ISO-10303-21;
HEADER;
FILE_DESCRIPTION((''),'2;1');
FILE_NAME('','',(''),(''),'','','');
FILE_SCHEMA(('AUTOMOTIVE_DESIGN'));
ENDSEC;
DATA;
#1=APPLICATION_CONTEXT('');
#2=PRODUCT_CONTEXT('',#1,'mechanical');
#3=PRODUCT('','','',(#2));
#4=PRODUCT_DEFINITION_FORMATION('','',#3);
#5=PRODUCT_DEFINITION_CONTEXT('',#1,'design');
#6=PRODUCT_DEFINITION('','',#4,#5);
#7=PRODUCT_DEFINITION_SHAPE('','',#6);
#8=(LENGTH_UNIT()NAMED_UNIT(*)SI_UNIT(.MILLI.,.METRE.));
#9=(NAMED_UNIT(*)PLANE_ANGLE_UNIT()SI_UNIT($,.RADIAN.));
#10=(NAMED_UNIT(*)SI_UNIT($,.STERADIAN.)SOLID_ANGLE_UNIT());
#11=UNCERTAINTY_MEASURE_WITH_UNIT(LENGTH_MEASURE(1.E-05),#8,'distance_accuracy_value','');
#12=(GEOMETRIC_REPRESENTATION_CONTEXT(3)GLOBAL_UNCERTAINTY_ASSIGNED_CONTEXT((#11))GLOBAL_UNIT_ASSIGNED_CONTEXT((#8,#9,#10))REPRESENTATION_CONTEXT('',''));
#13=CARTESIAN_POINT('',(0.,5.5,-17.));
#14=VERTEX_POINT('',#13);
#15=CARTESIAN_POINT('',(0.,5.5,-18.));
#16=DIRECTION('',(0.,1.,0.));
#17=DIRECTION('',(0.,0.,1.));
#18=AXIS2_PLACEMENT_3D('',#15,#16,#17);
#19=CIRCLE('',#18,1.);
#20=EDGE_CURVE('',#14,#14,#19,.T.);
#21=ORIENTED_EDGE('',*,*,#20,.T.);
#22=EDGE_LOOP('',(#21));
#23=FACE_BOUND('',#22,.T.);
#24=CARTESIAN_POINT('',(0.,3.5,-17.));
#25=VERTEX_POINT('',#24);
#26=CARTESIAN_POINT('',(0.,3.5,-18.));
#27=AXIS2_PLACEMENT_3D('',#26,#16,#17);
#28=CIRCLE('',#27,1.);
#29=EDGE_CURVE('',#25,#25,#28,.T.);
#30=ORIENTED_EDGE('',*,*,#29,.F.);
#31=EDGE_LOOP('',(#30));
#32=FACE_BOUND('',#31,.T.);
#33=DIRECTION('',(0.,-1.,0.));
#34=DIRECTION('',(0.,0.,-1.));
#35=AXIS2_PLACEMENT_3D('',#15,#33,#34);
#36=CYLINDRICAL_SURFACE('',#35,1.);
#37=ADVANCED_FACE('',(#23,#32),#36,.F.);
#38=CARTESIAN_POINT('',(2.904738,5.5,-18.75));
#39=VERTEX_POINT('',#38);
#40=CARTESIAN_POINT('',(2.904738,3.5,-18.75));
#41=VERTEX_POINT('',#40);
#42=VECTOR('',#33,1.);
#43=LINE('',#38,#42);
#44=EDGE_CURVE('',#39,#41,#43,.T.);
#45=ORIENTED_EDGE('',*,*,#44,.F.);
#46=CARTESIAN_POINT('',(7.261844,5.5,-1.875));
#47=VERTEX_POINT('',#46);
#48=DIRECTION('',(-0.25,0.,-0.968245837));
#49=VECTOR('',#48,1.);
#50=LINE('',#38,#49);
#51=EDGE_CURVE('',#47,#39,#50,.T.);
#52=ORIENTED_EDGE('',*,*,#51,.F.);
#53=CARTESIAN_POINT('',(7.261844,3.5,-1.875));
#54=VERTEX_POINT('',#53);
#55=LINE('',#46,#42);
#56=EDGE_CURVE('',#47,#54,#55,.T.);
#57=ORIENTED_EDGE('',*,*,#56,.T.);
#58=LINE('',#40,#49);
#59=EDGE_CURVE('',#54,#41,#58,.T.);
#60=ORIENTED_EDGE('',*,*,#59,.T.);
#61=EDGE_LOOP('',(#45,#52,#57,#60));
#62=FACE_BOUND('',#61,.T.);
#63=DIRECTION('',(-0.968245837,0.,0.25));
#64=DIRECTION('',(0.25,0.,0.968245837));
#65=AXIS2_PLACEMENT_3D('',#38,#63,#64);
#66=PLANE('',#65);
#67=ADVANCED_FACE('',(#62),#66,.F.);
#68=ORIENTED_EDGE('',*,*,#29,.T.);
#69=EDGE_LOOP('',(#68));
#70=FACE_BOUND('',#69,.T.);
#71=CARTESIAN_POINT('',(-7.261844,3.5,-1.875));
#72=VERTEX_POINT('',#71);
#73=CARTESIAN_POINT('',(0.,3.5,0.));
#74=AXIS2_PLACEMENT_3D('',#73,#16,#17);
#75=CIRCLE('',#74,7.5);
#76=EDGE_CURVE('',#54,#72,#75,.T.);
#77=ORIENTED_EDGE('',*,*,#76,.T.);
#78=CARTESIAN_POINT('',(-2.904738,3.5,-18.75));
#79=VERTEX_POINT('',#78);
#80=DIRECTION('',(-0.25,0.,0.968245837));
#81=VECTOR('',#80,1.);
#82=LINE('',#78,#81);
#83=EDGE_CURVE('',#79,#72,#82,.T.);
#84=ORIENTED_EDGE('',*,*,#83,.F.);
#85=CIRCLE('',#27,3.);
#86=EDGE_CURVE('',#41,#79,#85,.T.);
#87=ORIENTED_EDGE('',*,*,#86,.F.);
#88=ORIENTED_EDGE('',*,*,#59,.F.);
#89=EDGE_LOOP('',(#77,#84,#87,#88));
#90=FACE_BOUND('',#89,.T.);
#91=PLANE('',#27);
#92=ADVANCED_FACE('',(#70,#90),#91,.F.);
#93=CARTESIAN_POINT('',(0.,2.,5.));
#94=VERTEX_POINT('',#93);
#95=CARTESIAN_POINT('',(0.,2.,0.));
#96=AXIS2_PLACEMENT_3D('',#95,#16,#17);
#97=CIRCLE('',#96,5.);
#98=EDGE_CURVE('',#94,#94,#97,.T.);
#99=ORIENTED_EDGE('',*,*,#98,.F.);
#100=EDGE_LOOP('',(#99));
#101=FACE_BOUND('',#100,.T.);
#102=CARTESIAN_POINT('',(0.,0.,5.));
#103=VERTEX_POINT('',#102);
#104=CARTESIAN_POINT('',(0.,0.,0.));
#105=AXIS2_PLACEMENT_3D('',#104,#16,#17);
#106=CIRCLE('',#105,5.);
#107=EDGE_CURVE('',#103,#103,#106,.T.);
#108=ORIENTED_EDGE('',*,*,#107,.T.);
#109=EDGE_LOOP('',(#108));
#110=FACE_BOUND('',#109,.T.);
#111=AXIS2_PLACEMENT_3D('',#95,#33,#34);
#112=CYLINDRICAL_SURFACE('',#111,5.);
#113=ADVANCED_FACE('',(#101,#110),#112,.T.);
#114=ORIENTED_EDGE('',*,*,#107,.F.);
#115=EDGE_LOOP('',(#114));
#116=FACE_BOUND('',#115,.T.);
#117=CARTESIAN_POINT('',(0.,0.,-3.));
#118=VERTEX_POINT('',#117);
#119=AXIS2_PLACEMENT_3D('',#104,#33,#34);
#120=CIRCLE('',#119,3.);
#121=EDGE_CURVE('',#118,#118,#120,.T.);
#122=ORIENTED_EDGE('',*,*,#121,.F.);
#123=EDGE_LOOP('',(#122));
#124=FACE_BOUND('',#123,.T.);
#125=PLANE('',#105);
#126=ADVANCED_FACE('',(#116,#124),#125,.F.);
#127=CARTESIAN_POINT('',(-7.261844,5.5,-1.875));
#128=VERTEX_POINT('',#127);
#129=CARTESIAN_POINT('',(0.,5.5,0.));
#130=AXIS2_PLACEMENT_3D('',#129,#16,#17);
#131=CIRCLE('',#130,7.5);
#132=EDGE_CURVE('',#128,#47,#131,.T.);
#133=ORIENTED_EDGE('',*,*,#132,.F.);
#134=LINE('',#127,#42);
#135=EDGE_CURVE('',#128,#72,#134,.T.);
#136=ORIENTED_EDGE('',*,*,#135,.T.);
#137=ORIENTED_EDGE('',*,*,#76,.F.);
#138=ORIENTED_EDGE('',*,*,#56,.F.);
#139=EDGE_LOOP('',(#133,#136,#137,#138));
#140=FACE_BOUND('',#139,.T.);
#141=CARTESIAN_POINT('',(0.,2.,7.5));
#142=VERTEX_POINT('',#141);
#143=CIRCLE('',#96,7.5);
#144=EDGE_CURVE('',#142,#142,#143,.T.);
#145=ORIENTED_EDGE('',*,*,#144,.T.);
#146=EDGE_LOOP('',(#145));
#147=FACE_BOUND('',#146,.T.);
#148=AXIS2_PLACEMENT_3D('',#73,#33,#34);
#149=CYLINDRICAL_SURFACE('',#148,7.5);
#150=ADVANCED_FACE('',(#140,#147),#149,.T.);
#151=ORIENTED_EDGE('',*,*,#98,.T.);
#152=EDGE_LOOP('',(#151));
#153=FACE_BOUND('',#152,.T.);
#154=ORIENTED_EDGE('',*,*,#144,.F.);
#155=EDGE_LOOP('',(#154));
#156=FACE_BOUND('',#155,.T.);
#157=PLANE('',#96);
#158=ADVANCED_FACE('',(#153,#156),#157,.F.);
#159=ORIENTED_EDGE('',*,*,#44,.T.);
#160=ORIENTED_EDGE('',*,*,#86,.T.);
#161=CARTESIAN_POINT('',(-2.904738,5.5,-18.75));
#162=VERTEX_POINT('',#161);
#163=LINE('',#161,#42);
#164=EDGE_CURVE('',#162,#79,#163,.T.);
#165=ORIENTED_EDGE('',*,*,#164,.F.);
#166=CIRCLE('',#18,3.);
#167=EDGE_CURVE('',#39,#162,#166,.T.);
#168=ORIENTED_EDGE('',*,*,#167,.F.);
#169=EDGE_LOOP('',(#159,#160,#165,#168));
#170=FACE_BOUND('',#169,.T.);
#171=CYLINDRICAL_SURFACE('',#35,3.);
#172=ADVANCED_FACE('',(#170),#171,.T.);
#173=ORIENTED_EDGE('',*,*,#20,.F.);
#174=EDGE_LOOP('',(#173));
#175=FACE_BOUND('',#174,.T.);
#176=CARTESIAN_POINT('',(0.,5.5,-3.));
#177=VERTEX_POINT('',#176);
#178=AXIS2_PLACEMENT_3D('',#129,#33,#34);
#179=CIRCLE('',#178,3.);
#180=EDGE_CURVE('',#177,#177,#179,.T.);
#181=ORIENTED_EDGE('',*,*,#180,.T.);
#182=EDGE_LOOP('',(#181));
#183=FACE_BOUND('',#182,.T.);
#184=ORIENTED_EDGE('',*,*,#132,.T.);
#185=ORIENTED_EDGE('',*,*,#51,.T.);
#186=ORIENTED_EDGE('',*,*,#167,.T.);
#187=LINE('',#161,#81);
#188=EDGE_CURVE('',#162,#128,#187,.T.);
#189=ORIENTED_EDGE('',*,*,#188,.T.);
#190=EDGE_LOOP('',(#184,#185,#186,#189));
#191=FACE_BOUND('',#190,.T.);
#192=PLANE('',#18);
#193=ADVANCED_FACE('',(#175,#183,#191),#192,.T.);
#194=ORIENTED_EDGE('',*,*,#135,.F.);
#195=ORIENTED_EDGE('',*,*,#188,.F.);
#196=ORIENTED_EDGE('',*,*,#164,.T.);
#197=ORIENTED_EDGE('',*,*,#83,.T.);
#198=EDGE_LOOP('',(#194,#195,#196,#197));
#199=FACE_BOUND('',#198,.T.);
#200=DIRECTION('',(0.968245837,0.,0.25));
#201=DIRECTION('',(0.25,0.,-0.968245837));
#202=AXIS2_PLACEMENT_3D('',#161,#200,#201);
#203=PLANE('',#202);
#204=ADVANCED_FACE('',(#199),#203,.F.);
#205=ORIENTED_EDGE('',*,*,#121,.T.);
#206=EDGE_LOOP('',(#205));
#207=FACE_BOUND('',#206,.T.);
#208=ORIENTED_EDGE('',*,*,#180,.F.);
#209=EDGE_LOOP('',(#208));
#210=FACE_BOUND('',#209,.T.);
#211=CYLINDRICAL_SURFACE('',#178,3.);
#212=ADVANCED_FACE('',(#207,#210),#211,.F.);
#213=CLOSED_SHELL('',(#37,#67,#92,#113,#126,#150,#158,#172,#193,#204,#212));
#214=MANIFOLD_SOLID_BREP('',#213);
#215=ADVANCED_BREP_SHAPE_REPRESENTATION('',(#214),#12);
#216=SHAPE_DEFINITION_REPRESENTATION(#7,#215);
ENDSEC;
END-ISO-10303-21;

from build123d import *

# Parameters (mm, degrees)
SKETCH_1_R          = 5
EXTRUDE_1_DEPTH     = 2
SKETCH_2_R          = 7.5
EXTRUDE_2_DEPTH     = 1.5
SKETCH_3_R          = 1
EXTRUDE_3_DEPTH     = 2
SKETCH_4_R          = 3
CUT_EXTRUDE_1_DEPTH = 23.967368156


with BuildPart() as part:
    # 草图1 → 凸台-拉伸1 (new body)
    with BuildSketch(Plane(origin=(0, 0, 0), x_dir=(1, 0, 0), z_dir=(0, 1, 0))):
        with Locations(Location((0, 0, 0), (0, 0, 270))):
            Circle(SKETCH_1_R)
    extrude(amount=EXTRUDE_1_DEPTH)

    # 草图2 → 凸台-拉伸2 (add)
    with BuildSketch(Plane(origin=(0, 2, 0), x_dir=(1, 0, 0), z_dir=(0, 1, 0))):
        with Locations(Location((0, 0, 0), (0, 0, 270))):
            Circle(SKETCH_2_R)
    extrude(amount=EXTRUDE_2_DEPTH)

    # 草图3 → 凸台-拉伸3 (add)
    with BuildSketch(Plane(origin=(0, 3.5, 0), x_dir=(1, 0, 0), z_dir=(0, 1, 0))):
        with BuildLine():
            Line((-2.90473751, 18.75), (-7.261843774, 1.875))
            ThreePointArc((-7.261843774, 1.875), (0, -7.5), (7.261843774, 1.875))
            Line((7.261843774, 1.875), (2.90473751, 18.75))
            ThreePointArc((2.90473751, 18.75), (0, 21), (-2.90473751, 18.75))
        make_face()
        with Locations(Location((0, 18, 0), (0, 0, 270))):
            Circle(SKETCH_3_R, mode=Mode.SUBTRACT)
    extrude(amount=EXTRUDE_3_DEPTH)

    # 草图4 → 切除-拉伸1 (cut, through all)
    with BuildSketch(Plane.XZ):
        with Locations(Location((0, 0, 0), (0, 0, 270))):
            Circle(SKETCH_4_R)
    extrude(amount=-CUT_EXTRUDE_1_DEPTH, mode=Mode.SUBTRACT)


solid = part.part
